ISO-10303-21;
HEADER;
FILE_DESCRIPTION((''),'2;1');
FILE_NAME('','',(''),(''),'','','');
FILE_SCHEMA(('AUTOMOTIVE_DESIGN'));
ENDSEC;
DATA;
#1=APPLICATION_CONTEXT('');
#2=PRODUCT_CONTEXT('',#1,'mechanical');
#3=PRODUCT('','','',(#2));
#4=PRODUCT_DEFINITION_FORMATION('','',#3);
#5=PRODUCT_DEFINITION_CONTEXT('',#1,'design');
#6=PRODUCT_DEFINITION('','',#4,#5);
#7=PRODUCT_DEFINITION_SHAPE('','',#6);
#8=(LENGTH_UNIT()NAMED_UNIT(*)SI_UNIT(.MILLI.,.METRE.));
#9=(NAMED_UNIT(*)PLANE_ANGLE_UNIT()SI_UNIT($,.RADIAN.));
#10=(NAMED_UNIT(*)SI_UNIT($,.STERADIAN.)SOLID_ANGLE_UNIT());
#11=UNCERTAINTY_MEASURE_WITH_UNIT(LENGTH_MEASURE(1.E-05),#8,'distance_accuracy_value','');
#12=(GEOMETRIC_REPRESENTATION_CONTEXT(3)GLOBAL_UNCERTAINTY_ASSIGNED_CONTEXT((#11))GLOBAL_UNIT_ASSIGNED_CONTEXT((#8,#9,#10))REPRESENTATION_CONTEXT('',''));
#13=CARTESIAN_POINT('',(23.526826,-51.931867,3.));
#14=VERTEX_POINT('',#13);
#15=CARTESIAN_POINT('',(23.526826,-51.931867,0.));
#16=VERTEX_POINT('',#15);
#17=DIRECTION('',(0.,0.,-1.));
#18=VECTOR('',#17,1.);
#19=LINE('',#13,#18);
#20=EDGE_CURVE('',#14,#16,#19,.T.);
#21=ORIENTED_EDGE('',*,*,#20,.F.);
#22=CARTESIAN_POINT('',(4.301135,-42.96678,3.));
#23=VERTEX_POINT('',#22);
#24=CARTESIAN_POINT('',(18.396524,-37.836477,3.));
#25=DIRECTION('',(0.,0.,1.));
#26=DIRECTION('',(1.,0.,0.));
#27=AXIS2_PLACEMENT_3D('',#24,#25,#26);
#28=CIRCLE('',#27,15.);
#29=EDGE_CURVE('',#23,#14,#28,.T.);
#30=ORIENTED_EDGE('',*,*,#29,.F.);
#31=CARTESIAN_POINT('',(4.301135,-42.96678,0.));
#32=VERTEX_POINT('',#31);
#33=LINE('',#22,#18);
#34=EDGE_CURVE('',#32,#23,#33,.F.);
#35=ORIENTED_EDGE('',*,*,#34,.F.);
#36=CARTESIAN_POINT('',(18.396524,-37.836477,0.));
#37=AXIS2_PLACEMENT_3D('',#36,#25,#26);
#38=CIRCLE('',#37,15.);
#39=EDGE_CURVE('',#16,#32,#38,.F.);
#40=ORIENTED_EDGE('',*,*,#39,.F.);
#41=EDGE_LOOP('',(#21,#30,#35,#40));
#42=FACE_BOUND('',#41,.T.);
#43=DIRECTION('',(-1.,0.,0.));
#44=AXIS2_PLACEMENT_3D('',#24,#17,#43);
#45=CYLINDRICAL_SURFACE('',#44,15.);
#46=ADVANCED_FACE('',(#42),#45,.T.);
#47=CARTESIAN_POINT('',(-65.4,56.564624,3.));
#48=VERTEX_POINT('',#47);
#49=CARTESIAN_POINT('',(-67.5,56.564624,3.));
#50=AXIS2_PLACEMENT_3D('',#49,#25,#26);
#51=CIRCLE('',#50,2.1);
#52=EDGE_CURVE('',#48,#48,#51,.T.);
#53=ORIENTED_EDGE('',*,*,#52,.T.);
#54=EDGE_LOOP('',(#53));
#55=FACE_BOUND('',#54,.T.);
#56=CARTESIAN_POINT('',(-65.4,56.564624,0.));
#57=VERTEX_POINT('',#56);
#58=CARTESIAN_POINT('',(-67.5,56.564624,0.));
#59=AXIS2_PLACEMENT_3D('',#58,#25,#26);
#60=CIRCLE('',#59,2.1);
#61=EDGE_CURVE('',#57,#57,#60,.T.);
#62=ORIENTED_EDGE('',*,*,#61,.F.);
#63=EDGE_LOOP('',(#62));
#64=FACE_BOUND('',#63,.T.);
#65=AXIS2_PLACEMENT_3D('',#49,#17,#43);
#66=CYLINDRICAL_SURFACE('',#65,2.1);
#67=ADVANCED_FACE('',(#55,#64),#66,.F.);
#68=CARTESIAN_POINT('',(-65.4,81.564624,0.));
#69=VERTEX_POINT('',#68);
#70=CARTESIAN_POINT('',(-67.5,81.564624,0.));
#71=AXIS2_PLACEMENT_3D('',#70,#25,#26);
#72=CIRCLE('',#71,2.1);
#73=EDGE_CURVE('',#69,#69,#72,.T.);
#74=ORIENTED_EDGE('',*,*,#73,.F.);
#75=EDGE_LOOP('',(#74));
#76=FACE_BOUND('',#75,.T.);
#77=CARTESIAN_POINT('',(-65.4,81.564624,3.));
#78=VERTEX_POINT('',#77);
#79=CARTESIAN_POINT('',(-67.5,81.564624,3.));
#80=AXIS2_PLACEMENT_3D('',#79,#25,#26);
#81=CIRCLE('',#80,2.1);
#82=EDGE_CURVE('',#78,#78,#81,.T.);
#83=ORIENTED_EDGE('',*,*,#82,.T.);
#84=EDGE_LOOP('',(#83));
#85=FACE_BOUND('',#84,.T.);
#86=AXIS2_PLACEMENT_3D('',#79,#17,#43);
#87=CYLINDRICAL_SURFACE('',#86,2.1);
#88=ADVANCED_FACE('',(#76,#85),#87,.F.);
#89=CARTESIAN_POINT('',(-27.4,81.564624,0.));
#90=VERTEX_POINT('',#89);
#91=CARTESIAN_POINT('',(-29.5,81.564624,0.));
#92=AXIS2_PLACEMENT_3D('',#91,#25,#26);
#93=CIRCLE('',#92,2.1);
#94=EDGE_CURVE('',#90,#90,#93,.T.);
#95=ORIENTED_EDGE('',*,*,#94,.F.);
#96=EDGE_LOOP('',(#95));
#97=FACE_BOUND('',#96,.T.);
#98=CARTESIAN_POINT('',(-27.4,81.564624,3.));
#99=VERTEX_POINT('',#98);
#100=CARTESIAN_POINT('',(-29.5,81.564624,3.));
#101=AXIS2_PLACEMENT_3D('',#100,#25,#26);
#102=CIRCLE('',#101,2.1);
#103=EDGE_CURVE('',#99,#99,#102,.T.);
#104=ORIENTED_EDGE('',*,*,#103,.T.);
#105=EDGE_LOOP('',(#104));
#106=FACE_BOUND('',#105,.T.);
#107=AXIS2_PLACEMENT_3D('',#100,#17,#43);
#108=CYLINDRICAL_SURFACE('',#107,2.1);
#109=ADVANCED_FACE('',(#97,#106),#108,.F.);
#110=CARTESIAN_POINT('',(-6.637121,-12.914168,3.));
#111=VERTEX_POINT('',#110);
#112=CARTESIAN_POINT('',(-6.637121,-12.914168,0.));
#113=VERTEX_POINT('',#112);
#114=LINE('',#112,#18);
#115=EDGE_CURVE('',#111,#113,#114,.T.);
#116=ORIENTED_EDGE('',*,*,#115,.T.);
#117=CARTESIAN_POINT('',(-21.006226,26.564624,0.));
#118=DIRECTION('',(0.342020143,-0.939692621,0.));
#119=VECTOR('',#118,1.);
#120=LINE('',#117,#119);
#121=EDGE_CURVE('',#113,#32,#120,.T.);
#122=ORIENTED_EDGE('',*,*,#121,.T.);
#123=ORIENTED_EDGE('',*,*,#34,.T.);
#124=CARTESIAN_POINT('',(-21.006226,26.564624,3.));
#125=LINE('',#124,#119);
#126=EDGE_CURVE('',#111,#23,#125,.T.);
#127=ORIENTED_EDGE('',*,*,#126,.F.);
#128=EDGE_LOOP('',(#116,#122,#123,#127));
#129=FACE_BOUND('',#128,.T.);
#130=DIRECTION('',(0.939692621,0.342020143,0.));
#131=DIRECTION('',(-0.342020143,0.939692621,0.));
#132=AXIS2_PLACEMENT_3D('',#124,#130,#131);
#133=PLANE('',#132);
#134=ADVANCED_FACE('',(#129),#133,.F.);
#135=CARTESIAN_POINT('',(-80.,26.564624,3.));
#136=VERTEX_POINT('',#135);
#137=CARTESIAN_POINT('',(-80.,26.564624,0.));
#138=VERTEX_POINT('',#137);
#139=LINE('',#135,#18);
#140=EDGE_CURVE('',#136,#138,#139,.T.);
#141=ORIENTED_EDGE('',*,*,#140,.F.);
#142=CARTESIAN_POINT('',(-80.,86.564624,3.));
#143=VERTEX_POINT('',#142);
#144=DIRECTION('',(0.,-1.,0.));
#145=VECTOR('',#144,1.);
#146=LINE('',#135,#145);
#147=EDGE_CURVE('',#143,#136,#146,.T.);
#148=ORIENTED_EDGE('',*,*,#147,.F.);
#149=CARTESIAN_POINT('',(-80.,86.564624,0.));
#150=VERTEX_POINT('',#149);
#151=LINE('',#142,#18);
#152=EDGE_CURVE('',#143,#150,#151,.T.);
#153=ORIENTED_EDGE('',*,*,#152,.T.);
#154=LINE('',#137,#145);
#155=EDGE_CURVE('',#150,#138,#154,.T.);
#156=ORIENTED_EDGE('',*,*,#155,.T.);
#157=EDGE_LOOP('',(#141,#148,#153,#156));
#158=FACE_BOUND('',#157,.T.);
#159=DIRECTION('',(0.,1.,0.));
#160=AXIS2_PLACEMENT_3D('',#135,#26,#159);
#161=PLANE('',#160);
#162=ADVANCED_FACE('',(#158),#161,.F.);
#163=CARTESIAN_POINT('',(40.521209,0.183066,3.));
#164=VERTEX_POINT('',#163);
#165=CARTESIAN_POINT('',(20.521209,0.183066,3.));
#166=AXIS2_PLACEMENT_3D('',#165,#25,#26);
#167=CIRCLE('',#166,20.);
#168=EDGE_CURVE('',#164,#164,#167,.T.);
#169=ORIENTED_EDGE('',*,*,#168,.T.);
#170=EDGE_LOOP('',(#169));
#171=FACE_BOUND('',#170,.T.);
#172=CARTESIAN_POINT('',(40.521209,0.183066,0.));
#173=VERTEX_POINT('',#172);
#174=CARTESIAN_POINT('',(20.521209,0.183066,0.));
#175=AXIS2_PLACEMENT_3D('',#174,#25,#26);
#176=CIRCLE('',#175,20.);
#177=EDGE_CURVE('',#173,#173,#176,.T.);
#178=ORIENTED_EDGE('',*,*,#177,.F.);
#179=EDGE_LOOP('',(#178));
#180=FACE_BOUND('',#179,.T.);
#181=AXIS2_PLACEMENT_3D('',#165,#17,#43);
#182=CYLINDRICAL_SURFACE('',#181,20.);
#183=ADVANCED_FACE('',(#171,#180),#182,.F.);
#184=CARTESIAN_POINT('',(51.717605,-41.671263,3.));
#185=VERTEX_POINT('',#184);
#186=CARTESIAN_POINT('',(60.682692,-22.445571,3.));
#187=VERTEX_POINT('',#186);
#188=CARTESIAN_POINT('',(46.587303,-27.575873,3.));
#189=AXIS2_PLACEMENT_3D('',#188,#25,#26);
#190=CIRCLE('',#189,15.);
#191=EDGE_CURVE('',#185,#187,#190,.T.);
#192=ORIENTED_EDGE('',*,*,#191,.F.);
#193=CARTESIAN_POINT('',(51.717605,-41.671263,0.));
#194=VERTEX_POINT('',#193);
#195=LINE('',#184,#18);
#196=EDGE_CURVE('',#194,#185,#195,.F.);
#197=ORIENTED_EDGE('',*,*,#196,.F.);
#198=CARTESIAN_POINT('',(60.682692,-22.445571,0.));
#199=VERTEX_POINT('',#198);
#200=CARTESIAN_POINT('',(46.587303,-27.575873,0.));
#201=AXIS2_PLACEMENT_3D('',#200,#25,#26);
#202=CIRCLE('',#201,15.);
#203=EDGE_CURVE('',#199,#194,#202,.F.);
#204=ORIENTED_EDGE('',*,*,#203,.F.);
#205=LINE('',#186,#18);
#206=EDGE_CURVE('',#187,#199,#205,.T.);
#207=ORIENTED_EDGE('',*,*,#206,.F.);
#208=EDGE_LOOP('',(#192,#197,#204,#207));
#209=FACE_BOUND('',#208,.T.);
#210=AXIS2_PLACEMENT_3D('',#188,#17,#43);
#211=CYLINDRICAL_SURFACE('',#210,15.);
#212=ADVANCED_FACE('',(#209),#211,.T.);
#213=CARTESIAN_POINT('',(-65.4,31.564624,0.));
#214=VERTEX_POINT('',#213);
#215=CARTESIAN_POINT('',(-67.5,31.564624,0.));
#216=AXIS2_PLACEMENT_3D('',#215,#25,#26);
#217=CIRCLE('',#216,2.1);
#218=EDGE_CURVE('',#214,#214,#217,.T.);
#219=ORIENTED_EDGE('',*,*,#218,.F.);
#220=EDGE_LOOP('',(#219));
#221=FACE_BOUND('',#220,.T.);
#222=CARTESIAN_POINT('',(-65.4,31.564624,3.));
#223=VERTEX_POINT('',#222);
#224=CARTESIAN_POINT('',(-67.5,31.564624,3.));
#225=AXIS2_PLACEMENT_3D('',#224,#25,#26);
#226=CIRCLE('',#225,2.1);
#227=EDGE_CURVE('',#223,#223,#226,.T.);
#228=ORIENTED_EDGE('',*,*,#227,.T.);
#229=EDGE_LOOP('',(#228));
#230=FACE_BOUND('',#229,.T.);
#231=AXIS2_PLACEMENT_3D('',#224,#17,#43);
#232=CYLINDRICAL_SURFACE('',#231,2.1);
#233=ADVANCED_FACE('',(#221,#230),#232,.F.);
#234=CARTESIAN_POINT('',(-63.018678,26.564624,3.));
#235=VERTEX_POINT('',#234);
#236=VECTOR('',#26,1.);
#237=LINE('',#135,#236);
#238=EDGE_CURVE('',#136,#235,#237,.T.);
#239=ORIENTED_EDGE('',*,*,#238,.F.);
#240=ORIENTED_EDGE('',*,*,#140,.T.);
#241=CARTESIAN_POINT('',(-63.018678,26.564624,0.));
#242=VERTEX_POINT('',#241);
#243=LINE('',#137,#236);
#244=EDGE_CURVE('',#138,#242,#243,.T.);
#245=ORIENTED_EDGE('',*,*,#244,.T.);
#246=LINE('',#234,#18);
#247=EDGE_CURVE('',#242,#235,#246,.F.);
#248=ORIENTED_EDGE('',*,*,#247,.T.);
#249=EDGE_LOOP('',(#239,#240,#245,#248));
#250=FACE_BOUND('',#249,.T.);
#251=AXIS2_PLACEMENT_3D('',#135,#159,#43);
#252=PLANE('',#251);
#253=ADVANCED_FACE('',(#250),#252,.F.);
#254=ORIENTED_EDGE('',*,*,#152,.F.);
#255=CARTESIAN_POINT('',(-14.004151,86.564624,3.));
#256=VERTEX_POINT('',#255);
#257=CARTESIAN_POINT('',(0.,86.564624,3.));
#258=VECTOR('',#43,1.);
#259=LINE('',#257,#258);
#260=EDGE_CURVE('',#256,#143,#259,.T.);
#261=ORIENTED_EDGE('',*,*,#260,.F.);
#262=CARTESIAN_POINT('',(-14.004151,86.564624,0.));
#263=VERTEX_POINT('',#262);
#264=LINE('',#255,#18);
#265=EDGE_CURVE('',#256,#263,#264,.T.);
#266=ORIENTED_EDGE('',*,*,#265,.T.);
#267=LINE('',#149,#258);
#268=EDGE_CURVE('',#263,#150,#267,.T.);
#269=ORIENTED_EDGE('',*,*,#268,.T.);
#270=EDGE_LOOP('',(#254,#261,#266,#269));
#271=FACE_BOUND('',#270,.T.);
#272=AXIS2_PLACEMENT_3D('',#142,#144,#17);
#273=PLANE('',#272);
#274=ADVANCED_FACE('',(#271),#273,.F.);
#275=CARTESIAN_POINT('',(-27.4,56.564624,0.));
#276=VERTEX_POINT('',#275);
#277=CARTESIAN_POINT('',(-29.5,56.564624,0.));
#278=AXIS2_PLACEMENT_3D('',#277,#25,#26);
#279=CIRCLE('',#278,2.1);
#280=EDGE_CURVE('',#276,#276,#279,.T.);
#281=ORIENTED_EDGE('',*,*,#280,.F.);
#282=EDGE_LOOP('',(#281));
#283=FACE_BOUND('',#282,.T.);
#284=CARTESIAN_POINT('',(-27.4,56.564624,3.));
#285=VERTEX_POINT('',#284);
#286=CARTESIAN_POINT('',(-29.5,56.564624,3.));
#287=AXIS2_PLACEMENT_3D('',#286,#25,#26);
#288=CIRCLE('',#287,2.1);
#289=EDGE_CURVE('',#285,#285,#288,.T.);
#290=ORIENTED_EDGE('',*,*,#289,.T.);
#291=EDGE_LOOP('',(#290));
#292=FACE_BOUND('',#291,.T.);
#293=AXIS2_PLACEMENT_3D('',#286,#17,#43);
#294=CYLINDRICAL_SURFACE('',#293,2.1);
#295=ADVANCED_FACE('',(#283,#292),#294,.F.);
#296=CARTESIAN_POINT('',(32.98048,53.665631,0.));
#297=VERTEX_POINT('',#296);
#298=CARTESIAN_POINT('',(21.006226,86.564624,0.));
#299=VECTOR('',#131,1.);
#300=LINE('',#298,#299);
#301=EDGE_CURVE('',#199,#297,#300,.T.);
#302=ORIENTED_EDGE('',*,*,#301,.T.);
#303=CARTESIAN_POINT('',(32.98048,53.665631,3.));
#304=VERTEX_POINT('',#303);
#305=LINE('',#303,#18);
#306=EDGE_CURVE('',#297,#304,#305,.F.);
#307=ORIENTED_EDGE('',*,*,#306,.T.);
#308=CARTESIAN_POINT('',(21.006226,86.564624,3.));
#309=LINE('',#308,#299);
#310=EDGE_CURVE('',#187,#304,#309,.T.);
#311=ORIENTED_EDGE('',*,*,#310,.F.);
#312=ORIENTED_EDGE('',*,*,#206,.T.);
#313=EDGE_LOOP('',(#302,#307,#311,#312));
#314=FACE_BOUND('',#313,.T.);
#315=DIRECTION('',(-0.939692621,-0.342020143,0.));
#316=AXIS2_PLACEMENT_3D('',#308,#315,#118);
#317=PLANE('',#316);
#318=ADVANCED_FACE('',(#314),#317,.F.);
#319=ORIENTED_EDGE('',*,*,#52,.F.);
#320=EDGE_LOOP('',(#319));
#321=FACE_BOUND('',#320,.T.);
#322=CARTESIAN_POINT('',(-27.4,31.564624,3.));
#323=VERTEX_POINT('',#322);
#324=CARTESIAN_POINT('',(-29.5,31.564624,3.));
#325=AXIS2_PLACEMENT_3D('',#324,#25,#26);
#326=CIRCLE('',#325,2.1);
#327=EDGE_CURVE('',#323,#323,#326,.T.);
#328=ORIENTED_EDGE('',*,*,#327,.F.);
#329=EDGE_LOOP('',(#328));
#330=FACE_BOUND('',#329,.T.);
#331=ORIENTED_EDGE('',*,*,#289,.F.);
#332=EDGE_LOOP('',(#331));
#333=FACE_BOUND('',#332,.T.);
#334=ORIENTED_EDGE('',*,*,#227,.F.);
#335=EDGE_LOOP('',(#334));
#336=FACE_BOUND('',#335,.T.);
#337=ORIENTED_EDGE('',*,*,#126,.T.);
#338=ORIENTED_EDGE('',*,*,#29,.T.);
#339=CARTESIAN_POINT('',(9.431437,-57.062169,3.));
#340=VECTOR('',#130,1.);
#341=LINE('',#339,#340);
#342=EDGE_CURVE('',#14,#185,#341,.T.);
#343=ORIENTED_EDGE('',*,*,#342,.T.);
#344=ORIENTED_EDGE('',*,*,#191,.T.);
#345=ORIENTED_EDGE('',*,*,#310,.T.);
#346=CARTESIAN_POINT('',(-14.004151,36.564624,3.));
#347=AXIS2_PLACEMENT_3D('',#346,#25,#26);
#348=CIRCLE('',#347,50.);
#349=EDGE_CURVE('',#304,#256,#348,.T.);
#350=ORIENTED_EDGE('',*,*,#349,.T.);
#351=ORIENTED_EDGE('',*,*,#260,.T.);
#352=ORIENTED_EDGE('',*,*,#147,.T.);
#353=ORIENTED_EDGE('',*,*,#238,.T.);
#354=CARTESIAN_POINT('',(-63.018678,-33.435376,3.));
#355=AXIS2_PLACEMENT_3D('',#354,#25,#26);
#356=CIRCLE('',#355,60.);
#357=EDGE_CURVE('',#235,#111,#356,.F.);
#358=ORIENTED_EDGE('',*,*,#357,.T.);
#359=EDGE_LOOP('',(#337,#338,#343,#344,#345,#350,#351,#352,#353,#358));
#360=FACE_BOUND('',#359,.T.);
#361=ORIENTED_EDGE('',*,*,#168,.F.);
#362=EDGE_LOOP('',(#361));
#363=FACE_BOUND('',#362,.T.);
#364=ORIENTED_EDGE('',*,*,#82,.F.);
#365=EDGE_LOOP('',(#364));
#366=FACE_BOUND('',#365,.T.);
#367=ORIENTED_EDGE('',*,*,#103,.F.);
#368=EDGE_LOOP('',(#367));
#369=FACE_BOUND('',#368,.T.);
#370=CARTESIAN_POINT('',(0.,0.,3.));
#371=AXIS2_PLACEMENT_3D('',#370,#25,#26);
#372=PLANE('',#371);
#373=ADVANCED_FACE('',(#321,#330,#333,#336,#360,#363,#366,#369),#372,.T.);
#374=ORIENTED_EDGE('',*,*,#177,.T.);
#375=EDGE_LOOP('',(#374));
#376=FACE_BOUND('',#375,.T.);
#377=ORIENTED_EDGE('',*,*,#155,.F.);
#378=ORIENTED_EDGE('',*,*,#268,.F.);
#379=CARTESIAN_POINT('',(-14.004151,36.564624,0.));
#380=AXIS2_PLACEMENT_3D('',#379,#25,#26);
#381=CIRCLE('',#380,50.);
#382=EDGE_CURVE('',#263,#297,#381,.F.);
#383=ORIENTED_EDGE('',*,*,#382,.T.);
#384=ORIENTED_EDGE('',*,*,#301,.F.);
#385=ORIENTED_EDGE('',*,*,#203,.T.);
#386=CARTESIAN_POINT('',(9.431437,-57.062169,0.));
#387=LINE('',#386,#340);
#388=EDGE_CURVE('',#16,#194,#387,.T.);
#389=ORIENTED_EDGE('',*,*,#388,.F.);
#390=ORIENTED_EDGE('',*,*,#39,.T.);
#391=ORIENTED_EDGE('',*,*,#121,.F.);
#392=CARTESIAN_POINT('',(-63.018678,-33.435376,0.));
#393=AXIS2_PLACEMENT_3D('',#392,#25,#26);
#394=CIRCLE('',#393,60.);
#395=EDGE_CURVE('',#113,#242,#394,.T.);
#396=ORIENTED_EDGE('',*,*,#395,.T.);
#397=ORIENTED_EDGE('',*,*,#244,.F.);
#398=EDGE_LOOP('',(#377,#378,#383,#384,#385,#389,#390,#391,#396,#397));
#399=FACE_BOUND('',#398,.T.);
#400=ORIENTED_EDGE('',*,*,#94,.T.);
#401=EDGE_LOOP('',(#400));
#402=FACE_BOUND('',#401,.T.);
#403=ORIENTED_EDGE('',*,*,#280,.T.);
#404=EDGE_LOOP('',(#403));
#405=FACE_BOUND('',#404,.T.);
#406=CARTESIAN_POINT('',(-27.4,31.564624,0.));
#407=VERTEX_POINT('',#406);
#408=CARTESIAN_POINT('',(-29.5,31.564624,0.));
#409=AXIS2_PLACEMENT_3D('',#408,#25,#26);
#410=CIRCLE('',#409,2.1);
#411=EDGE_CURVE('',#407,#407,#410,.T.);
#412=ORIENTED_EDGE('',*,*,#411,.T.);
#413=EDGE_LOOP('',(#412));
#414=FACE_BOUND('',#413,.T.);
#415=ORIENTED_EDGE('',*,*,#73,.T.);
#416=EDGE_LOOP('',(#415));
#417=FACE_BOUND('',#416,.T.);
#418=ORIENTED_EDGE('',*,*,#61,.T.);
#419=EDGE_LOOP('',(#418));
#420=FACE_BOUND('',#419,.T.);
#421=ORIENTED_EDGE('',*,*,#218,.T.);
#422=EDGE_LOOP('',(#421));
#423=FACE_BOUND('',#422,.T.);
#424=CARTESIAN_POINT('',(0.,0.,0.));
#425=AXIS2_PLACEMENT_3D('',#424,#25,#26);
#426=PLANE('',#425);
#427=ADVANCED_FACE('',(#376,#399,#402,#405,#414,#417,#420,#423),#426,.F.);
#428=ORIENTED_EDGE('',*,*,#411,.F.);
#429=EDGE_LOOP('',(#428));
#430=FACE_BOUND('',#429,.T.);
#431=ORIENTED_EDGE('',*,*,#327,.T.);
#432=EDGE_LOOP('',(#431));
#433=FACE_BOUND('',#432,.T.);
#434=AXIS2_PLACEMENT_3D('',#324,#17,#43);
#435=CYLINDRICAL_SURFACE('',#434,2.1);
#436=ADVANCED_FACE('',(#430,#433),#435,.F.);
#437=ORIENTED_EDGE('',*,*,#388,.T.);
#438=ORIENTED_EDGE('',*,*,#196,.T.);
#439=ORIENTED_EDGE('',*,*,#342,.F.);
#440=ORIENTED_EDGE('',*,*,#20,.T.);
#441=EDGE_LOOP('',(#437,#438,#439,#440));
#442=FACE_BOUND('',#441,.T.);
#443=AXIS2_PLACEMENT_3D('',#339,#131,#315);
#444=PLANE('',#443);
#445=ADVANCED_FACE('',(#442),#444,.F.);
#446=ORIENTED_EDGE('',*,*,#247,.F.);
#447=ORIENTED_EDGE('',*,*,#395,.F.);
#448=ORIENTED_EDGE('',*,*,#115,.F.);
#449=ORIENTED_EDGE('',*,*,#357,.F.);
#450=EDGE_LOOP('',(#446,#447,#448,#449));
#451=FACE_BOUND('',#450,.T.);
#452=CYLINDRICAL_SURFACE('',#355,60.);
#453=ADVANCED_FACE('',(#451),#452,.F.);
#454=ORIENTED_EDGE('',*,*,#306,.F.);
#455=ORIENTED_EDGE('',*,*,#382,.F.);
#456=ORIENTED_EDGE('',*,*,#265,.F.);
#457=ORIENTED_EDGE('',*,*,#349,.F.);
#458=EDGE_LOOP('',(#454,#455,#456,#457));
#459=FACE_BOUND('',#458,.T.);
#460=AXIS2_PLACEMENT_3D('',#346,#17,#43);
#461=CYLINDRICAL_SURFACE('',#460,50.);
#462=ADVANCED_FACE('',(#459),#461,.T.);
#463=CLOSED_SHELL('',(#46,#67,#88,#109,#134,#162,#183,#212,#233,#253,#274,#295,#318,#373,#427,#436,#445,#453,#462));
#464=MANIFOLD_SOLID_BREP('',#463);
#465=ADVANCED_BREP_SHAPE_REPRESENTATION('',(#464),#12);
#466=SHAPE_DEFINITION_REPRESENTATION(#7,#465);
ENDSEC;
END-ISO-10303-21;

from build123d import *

# Parameters (mm, degrees)
SKETCH1_R           = 20
SKETCH1_R_2         = 2.1
BOSS_EXTRUDE1_DEPTH = 3
FILLET1_R           = 50
FILLET2_R           = 60
FILLET3_R           = 15


with BuildPart() as part:
    # Sketch1 → Boss-Extrude1 (new body)
    with BuildSketch(Plane.XY):
        Polygon((-80, 26.564623636), (-80, 86.564623636), (0, 86.564623636), (21.006226146, 86.564623636), (65.812994389, -36.540960351), (9.431437142, -57.06216895), (-21.006226146, 26.564623636), align=None)
        with Locations((20.5212086, 0.183066389)):
            Circle(SKETCH1_R, mode=Mode.SUBTRACT)
        with Locations((-67.5, 81.564623636)):
            Circle(SKETCH1_R_2, mode=Mode.SUBTRACT)
        with Locations((-67.5, 56.564623636)):
            Circle(SKETCH1_R_2, mode=Mode.SUBTRACT)
        with Locations((-67.5, 31.564623636)):
            Circle(SKETCH1_R_2, mode=Mode.SUBTRACT)
        with Locations((-29.5, 81.564623636)):
            Circle(SKETCH1_R_2, mode=Mode.SUBTRACT)
        with Locations((-29.5, 56.564623636)):
            Circle(SKETCH1_R_2, mode=Mode.SUBTRACT)
        with Locations((-29.5, 31.564623636)):
            Circle(SKETCH1_R_2, mode=Mode.SUBTRACT)
    extrude(amount=BOSS_EXTRUDE1_DEPTH)

    # Fillet1
    fillet1_edges = [part.edges().sort_by_distance(p)[0] for p in [
        (21.006226146, 86.564623636, 1.5),
    ]]
    fillet(fillet1_edges, radius=FILLET1_R)

    # Fillet2
    fillet2_edges = [part.edges().sort_by_distance(p)[0] for p in [
        (-21.006226146, 26.564623636, 1.5),
    ]]
    fillet(fillet2_edges, radius=FILLET2_R)

    # Fillet3
    fillet3_edges = [part.edges().sort_by_distance(p)[0] for p in [
        (65.812994389, -36.540960351, 1.5),
        (9.431437142, -57.06216895, 1.5),
    ]]
    fillet(fillet3_edges, radius=FILLET3_R)


solid = part.part
